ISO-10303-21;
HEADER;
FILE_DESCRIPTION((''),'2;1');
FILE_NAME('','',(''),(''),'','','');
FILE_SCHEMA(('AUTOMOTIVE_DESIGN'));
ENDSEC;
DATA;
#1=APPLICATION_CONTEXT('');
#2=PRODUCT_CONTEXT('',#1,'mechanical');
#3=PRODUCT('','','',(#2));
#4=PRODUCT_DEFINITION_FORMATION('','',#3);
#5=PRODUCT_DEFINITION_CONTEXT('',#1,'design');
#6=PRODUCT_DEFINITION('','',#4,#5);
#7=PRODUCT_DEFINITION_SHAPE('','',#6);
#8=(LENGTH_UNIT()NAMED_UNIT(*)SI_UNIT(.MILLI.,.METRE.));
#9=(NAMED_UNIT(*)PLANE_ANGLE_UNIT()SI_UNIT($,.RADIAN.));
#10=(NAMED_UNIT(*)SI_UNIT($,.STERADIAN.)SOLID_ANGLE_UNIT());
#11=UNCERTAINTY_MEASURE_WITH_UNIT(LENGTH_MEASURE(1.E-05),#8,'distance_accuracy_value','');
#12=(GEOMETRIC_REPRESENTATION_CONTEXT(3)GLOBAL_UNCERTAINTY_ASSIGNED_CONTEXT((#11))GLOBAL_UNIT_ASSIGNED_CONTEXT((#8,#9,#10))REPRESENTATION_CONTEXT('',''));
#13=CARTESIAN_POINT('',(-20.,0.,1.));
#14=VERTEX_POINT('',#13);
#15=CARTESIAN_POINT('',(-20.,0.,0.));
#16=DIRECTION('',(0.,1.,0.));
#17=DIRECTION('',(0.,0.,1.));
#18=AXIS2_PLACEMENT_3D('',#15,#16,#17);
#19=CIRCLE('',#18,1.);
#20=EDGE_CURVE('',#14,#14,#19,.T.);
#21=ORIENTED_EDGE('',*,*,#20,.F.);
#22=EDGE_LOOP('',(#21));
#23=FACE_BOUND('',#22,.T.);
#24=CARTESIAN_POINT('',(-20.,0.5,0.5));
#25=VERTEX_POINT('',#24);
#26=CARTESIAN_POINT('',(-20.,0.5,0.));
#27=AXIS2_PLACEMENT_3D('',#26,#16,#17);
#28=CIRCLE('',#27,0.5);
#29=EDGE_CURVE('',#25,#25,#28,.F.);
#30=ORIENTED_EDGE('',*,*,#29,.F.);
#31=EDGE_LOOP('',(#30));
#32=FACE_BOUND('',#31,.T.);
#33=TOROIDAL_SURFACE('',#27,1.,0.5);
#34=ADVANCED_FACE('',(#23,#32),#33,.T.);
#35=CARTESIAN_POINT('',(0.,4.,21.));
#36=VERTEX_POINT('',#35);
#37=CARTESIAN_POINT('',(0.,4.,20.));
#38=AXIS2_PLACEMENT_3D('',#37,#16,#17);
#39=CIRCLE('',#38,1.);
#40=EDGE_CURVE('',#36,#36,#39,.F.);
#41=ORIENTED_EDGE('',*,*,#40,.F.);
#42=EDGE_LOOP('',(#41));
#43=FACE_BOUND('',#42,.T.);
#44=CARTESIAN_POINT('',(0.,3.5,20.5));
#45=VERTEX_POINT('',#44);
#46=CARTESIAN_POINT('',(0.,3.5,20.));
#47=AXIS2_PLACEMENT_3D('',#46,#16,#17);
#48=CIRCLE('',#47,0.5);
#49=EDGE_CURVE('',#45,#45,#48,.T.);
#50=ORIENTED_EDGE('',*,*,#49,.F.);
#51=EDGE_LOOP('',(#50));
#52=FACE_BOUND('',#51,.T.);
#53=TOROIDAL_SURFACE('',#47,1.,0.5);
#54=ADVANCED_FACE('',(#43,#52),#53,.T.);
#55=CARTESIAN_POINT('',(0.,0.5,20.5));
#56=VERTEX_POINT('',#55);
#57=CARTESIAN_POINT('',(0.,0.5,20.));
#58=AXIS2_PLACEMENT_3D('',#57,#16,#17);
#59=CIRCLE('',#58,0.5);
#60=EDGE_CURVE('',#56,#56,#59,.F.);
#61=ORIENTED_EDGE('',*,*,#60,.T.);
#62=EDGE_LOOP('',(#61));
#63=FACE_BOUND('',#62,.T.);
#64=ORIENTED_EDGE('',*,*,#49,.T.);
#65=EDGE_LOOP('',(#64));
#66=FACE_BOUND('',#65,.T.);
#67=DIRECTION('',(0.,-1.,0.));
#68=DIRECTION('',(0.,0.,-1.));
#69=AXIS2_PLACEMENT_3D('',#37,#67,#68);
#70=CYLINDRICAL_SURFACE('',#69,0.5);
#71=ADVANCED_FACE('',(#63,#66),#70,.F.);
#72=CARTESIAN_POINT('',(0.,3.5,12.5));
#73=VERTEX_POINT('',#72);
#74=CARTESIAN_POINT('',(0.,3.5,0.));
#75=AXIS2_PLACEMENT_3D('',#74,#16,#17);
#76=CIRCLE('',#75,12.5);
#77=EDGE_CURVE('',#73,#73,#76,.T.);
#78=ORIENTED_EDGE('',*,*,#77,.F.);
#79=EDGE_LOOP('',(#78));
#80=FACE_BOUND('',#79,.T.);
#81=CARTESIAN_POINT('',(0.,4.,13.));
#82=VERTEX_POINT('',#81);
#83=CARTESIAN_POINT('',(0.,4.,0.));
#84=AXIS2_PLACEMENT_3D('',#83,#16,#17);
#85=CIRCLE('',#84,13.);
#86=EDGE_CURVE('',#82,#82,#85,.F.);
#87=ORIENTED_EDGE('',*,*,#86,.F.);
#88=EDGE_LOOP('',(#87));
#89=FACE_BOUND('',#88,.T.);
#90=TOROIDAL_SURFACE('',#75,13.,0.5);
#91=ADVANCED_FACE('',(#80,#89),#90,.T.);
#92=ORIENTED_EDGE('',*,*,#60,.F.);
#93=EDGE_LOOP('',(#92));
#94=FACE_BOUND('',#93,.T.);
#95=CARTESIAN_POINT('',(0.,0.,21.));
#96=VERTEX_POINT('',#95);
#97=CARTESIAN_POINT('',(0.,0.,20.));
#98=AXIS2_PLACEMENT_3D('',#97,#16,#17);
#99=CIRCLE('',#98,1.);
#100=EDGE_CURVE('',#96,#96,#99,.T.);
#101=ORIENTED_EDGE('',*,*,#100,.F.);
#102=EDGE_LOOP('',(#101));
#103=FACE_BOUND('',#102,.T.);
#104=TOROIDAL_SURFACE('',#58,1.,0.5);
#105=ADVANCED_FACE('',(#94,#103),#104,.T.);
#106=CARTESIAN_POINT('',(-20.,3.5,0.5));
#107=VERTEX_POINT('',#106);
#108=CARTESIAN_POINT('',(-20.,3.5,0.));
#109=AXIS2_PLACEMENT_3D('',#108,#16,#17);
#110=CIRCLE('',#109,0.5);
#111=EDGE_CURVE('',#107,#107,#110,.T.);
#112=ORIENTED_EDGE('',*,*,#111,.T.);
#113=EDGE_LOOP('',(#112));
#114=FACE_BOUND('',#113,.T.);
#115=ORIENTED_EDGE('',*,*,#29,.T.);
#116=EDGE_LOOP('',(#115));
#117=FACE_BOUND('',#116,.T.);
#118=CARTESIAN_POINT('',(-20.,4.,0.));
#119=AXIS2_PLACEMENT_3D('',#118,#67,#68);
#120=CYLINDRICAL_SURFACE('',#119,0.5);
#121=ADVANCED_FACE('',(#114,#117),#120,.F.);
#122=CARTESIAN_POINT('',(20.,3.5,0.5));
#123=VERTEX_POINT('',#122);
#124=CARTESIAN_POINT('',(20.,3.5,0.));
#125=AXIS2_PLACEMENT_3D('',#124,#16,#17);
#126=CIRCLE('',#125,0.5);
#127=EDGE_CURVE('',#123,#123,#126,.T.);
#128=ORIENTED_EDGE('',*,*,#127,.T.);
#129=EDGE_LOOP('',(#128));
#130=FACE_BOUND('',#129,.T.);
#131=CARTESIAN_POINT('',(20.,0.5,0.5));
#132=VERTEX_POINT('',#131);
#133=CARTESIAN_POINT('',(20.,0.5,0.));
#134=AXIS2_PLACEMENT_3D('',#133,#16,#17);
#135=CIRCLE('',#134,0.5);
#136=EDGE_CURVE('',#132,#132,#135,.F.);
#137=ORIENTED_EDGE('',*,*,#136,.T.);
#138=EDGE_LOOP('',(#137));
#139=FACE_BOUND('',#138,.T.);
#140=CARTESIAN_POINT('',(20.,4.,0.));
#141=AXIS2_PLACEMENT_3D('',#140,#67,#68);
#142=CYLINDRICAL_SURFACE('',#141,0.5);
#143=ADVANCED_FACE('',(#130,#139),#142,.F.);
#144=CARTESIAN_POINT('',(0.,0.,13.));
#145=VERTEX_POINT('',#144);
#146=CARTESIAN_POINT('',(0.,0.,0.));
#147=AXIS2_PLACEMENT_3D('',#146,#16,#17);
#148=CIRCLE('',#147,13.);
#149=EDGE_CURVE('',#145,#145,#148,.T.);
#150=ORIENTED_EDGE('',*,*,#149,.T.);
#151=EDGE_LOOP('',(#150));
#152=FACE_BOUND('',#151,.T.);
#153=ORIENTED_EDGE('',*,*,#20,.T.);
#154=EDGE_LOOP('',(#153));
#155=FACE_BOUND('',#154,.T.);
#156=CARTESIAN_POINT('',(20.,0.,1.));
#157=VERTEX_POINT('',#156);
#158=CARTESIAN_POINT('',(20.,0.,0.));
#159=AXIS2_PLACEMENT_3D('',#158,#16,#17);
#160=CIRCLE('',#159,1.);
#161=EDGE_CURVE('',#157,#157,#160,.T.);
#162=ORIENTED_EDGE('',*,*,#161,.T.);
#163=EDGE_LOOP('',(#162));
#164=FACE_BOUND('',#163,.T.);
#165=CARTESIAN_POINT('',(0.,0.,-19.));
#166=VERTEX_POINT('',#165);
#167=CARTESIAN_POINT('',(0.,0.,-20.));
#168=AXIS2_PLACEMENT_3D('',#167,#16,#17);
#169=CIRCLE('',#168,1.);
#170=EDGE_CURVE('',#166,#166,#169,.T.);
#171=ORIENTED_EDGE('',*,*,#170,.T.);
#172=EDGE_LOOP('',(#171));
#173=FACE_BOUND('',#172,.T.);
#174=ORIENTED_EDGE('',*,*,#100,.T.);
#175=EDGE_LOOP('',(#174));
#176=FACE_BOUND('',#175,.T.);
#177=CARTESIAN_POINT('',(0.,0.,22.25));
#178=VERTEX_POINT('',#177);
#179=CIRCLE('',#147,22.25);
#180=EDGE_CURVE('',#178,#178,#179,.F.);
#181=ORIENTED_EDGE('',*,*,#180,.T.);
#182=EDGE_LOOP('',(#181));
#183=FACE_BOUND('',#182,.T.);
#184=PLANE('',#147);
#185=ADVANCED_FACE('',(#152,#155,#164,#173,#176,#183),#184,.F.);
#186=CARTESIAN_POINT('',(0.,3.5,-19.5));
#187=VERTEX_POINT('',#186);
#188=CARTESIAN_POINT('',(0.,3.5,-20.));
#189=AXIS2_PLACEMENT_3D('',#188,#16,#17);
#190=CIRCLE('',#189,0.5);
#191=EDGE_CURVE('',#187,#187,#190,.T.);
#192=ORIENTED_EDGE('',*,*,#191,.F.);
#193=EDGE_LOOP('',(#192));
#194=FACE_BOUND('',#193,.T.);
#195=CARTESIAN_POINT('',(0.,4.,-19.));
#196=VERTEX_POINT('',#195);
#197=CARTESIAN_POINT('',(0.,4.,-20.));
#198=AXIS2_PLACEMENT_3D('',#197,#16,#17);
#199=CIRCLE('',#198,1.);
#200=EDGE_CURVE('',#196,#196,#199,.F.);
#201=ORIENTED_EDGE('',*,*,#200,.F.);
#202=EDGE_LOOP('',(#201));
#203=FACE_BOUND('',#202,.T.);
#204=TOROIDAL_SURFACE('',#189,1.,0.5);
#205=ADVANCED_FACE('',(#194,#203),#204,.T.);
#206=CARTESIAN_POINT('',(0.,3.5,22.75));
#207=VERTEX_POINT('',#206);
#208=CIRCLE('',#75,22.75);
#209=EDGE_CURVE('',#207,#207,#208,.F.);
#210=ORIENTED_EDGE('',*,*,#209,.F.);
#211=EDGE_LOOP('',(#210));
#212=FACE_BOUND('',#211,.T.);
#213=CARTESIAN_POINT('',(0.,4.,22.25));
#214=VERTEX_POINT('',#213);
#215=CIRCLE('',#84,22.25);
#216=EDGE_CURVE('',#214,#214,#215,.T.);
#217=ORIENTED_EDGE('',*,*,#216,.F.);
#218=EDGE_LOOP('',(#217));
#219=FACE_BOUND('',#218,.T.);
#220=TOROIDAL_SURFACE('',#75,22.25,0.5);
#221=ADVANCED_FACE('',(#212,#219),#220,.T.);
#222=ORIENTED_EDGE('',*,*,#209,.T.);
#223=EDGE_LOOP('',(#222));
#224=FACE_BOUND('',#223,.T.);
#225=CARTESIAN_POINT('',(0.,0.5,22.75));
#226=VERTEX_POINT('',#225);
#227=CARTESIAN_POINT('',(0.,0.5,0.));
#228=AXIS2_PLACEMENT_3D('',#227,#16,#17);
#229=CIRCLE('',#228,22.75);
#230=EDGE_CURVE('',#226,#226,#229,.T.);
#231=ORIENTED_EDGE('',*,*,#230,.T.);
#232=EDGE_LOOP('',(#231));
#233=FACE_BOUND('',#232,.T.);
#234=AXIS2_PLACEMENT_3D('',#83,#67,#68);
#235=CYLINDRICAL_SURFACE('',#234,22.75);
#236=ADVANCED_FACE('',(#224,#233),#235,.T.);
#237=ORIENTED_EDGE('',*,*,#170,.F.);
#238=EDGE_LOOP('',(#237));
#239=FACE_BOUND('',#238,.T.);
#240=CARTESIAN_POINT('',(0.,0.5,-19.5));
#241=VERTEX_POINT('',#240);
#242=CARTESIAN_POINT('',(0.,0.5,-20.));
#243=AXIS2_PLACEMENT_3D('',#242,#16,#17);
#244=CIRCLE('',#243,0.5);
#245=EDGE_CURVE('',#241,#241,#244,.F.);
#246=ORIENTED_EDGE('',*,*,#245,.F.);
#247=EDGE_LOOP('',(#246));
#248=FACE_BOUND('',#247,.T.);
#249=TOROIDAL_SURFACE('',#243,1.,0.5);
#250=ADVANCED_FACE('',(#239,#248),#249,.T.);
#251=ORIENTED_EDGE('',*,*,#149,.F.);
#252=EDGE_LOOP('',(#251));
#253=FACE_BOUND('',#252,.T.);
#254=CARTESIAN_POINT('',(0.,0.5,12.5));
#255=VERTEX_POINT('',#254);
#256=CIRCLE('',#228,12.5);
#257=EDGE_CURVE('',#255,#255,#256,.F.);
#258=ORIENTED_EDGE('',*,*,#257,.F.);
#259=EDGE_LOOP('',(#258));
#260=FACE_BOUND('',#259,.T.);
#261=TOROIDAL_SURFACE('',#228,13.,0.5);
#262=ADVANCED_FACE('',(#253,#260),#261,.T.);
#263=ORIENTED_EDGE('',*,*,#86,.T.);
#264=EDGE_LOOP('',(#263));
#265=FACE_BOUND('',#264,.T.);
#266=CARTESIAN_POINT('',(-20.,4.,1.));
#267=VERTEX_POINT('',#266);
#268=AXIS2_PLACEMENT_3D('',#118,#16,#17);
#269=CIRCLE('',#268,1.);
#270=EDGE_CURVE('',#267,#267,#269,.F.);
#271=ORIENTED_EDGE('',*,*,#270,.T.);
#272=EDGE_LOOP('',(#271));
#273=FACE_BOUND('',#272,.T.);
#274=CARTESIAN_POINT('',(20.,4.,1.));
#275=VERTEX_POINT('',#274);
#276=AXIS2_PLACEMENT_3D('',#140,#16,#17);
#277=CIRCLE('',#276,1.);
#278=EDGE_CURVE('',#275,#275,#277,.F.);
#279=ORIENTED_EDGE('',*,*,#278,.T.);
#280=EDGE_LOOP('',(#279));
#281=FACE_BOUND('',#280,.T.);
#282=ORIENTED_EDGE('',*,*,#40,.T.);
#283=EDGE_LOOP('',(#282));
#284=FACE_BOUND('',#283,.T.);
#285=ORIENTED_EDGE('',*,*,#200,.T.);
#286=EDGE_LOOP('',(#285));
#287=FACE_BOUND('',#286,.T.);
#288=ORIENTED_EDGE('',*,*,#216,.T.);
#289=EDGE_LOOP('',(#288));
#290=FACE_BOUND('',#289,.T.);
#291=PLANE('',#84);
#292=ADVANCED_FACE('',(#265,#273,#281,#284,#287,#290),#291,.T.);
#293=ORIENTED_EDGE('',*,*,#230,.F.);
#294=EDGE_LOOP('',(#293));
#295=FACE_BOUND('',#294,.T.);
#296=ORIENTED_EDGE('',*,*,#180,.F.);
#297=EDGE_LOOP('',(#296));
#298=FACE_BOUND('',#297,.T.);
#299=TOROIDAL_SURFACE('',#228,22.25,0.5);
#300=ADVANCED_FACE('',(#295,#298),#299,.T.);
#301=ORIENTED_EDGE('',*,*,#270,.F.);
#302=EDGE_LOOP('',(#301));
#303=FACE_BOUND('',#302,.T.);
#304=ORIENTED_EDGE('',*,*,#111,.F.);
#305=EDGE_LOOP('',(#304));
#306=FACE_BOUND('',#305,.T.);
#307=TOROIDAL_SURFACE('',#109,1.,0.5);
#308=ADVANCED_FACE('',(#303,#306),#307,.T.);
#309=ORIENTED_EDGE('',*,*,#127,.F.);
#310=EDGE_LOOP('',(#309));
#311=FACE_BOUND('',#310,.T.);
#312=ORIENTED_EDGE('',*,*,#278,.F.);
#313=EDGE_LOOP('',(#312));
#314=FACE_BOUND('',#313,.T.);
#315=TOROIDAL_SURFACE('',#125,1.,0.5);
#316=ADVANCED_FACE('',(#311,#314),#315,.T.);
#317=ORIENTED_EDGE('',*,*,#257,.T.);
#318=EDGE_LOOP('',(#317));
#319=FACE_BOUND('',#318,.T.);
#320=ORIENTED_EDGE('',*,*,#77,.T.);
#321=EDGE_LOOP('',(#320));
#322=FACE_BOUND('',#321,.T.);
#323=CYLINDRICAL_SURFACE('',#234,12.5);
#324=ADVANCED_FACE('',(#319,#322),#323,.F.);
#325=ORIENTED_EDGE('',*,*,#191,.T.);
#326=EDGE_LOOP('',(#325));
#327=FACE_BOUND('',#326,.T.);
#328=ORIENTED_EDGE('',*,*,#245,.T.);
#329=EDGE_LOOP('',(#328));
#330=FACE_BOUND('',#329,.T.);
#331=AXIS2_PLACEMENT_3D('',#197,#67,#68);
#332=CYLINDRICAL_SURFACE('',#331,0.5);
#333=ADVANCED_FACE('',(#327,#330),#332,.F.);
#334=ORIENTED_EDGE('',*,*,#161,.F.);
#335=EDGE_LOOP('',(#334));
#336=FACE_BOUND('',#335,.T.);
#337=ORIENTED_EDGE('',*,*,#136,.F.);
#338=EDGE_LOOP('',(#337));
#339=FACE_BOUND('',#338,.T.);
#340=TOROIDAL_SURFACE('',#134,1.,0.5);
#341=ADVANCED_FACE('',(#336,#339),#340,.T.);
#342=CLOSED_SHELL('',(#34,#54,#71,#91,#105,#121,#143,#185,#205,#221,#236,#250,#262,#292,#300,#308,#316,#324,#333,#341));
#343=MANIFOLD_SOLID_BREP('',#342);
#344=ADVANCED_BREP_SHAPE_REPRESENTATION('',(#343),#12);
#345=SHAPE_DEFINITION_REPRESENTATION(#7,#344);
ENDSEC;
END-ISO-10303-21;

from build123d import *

# Parameters (mm, degrees)
ESQUISSE1_R        = 22.75
ESQUISSE1_R_2      = 12.5
ESQUISSE1_R_3      = 0.5
BOSS_EXTRU_1_DEPTH = 4
CONG_1_R           = 0.5
CONG_2_R           = 0.5


with BuildPart() as part:
    # Esquisse1 → Boss.-Extru.1 (new body)
    with BuildSketch(Plane(origin=(0, 0, 0), x_dir=(1, 0, 0), z_dir=(0, 1, 0))):
        Circle(ESQUISSE1_R)
        Circle(ESQUISSE1_R_2, mode=Mode.SUBTRACT)
        with Locations((20, 0)):
            Circle(ESQUISSE1_R_3, mode=Mode.SUBTRACT)
        with Locations((0, -20)):
            Circle(ESQUISSE1_R_3, mode=Mode.SUBTRACT)
        with Locations((-20, 0)):
            Circle(ESQUISSE1_R_3, mode=Mode.SUBTRACT)
        with Locations((0, 20)):
            Circle(ESQUISSE1_R_3, mode=Mode.SUBTRACT)
    extrude(amount=BOSS_EXTRU_1_DEPTH)

    # Congé1
    cong_1_edges = [part.edges().sort_by_distance(p)[0] for p in [
        (-22.75, 0, 0),
        (-22.75, 4, 0),
        (-12.5, 0, 0),
        (-12.5, 4, 0),
    ]]
    fillet(cong_1_edges, radius=CONG_1_R)

    # Congé2
    cong_2_edges = [part.edges().sort_by_distance(p)[0] for p in [
        (-0.5, 0, 20),
        (-0.5, 4, 20),
        (-20.5, 0, 0),
        (-20.5, 4, 0),
        (-0.5, 0, -20),
        (-0.5, 4, -20),
        (19.5, 0, 0),
        (19.5, 4, 0),
    ]]
    fillet(cong_2_edges, radius=CONG_2_R)


solid = part.part
